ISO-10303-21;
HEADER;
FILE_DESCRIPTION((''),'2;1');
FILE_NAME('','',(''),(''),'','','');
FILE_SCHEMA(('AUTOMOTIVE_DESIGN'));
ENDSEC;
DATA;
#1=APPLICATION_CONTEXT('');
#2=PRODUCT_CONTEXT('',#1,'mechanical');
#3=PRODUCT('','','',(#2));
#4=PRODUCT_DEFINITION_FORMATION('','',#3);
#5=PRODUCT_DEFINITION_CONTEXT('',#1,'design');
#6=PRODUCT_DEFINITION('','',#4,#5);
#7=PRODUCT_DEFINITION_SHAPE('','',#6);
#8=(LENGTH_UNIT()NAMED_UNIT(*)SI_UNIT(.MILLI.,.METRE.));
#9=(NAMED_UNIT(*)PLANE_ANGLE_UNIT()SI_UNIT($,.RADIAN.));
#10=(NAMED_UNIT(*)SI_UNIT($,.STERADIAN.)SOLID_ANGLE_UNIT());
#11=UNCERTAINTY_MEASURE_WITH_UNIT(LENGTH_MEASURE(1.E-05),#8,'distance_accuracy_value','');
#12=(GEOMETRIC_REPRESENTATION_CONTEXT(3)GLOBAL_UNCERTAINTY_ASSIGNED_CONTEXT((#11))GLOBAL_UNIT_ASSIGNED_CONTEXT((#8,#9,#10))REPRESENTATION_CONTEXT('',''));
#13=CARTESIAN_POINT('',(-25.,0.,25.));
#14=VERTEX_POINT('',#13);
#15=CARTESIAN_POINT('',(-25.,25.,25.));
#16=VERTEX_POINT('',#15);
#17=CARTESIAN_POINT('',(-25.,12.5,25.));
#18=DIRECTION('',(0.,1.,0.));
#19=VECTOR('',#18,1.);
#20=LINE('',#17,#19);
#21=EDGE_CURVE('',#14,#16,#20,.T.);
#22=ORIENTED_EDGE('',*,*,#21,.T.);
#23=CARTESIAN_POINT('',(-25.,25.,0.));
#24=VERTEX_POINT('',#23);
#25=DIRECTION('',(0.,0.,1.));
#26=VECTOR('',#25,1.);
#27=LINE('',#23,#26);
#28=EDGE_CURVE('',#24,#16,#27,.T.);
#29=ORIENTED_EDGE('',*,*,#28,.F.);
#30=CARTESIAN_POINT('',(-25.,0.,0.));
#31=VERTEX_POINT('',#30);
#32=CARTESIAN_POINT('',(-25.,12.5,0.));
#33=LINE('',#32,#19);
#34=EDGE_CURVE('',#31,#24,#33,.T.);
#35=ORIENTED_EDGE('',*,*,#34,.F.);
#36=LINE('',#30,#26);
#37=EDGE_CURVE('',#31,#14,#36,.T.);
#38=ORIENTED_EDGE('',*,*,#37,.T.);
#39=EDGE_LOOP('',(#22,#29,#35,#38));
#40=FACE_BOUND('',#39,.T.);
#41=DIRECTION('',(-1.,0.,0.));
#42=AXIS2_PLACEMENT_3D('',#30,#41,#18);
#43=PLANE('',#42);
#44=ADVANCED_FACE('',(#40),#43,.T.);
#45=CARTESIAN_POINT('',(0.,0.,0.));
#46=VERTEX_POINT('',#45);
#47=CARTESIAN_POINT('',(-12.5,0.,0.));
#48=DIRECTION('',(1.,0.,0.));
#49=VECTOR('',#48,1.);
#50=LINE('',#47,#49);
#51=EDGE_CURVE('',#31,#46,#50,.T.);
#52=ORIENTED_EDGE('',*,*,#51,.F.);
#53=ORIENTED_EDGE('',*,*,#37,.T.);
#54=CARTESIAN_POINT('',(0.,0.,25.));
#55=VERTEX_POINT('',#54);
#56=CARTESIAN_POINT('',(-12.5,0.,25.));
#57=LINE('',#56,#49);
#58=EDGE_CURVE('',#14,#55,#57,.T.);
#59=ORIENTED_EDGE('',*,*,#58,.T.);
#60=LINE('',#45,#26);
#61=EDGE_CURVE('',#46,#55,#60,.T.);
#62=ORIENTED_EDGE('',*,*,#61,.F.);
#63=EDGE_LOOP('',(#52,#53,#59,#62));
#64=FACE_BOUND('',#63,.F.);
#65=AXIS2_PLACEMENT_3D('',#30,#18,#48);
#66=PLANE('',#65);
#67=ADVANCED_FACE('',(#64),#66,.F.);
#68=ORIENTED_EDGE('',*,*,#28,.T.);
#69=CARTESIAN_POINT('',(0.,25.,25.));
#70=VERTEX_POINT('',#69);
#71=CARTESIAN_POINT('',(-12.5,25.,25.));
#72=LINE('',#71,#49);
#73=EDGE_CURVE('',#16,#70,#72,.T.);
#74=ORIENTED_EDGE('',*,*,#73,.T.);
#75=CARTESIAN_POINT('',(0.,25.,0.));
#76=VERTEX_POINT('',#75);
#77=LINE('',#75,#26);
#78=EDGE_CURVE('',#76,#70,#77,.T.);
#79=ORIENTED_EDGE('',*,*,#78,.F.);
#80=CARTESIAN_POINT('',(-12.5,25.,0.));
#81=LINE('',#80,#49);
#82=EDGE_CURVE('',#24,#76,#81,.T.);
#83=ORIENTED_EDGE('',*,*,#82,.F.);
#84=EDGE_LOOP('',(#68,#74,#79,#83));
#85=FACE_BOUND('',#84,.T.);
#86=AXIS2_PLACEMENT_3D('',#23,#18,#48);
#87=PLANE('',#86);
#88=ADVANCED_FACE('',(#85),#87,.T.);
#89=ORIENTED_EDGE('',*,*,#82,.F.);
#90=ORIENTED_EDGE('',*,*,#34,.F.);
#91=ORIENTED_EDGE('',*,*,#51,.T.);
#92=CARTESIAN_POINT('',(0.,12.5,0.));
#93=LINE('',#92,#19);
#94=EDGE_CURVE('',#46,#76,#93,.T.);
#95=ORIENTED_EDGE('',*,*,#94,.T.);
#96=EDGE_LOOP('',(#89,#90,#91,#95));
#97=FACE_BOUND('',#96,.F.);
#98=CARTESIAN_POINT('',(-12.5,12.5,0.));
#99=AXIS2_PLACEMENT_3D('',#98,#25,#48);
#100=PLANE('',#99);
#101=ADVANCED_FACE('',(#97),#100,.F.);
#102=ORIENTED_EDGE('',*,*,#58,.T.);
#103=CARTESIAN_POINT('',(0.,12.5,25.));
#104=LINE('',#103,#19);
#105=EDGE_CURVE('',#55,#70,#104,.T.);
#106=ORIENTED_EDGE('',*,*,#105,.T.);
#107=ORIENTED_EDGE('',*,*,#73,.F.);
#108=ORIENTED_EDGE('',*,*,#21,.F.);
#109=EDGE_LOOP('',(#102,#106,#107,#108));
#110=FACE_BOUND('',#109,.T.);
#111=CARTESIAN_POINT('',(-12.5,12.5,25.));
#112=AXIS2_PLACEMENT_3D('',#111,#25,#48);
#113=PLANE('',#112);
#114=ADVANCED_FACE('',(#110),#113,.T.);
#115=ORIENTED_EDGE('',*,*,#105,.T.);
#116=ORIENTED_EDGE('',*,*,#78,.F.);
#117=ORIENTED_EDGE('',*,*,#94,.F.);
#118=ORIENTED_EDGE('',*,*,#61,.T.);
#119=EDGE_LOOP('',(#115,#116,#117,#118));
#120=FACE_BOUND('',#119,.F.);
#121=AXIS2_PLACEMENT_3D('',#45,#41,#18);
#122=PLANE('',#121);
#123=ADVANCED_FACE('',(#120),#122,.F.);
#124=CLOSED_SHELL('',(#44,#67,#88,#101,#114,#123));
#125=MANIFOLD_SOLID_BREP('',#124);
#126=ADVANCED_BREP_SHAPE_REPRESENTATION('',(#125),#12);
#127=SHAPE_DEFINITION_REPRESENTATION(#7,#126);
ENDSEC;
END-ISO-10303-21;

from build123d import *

# Parameters (mm, degrees)
SKETCH_W  = 25
SKETCH_H  = 25
PAD_DEPTH = 25


with BuildPart() as part:
    # Sketch → Pad (new body)
    with BuildSketch(Plane.XY):
        with Locations((-12.5, 12.5)):
            Rectangle(SKETCH_W, SKETCH_H)
    extrude(amount=PAD_DEPTH)


solid = part.part
